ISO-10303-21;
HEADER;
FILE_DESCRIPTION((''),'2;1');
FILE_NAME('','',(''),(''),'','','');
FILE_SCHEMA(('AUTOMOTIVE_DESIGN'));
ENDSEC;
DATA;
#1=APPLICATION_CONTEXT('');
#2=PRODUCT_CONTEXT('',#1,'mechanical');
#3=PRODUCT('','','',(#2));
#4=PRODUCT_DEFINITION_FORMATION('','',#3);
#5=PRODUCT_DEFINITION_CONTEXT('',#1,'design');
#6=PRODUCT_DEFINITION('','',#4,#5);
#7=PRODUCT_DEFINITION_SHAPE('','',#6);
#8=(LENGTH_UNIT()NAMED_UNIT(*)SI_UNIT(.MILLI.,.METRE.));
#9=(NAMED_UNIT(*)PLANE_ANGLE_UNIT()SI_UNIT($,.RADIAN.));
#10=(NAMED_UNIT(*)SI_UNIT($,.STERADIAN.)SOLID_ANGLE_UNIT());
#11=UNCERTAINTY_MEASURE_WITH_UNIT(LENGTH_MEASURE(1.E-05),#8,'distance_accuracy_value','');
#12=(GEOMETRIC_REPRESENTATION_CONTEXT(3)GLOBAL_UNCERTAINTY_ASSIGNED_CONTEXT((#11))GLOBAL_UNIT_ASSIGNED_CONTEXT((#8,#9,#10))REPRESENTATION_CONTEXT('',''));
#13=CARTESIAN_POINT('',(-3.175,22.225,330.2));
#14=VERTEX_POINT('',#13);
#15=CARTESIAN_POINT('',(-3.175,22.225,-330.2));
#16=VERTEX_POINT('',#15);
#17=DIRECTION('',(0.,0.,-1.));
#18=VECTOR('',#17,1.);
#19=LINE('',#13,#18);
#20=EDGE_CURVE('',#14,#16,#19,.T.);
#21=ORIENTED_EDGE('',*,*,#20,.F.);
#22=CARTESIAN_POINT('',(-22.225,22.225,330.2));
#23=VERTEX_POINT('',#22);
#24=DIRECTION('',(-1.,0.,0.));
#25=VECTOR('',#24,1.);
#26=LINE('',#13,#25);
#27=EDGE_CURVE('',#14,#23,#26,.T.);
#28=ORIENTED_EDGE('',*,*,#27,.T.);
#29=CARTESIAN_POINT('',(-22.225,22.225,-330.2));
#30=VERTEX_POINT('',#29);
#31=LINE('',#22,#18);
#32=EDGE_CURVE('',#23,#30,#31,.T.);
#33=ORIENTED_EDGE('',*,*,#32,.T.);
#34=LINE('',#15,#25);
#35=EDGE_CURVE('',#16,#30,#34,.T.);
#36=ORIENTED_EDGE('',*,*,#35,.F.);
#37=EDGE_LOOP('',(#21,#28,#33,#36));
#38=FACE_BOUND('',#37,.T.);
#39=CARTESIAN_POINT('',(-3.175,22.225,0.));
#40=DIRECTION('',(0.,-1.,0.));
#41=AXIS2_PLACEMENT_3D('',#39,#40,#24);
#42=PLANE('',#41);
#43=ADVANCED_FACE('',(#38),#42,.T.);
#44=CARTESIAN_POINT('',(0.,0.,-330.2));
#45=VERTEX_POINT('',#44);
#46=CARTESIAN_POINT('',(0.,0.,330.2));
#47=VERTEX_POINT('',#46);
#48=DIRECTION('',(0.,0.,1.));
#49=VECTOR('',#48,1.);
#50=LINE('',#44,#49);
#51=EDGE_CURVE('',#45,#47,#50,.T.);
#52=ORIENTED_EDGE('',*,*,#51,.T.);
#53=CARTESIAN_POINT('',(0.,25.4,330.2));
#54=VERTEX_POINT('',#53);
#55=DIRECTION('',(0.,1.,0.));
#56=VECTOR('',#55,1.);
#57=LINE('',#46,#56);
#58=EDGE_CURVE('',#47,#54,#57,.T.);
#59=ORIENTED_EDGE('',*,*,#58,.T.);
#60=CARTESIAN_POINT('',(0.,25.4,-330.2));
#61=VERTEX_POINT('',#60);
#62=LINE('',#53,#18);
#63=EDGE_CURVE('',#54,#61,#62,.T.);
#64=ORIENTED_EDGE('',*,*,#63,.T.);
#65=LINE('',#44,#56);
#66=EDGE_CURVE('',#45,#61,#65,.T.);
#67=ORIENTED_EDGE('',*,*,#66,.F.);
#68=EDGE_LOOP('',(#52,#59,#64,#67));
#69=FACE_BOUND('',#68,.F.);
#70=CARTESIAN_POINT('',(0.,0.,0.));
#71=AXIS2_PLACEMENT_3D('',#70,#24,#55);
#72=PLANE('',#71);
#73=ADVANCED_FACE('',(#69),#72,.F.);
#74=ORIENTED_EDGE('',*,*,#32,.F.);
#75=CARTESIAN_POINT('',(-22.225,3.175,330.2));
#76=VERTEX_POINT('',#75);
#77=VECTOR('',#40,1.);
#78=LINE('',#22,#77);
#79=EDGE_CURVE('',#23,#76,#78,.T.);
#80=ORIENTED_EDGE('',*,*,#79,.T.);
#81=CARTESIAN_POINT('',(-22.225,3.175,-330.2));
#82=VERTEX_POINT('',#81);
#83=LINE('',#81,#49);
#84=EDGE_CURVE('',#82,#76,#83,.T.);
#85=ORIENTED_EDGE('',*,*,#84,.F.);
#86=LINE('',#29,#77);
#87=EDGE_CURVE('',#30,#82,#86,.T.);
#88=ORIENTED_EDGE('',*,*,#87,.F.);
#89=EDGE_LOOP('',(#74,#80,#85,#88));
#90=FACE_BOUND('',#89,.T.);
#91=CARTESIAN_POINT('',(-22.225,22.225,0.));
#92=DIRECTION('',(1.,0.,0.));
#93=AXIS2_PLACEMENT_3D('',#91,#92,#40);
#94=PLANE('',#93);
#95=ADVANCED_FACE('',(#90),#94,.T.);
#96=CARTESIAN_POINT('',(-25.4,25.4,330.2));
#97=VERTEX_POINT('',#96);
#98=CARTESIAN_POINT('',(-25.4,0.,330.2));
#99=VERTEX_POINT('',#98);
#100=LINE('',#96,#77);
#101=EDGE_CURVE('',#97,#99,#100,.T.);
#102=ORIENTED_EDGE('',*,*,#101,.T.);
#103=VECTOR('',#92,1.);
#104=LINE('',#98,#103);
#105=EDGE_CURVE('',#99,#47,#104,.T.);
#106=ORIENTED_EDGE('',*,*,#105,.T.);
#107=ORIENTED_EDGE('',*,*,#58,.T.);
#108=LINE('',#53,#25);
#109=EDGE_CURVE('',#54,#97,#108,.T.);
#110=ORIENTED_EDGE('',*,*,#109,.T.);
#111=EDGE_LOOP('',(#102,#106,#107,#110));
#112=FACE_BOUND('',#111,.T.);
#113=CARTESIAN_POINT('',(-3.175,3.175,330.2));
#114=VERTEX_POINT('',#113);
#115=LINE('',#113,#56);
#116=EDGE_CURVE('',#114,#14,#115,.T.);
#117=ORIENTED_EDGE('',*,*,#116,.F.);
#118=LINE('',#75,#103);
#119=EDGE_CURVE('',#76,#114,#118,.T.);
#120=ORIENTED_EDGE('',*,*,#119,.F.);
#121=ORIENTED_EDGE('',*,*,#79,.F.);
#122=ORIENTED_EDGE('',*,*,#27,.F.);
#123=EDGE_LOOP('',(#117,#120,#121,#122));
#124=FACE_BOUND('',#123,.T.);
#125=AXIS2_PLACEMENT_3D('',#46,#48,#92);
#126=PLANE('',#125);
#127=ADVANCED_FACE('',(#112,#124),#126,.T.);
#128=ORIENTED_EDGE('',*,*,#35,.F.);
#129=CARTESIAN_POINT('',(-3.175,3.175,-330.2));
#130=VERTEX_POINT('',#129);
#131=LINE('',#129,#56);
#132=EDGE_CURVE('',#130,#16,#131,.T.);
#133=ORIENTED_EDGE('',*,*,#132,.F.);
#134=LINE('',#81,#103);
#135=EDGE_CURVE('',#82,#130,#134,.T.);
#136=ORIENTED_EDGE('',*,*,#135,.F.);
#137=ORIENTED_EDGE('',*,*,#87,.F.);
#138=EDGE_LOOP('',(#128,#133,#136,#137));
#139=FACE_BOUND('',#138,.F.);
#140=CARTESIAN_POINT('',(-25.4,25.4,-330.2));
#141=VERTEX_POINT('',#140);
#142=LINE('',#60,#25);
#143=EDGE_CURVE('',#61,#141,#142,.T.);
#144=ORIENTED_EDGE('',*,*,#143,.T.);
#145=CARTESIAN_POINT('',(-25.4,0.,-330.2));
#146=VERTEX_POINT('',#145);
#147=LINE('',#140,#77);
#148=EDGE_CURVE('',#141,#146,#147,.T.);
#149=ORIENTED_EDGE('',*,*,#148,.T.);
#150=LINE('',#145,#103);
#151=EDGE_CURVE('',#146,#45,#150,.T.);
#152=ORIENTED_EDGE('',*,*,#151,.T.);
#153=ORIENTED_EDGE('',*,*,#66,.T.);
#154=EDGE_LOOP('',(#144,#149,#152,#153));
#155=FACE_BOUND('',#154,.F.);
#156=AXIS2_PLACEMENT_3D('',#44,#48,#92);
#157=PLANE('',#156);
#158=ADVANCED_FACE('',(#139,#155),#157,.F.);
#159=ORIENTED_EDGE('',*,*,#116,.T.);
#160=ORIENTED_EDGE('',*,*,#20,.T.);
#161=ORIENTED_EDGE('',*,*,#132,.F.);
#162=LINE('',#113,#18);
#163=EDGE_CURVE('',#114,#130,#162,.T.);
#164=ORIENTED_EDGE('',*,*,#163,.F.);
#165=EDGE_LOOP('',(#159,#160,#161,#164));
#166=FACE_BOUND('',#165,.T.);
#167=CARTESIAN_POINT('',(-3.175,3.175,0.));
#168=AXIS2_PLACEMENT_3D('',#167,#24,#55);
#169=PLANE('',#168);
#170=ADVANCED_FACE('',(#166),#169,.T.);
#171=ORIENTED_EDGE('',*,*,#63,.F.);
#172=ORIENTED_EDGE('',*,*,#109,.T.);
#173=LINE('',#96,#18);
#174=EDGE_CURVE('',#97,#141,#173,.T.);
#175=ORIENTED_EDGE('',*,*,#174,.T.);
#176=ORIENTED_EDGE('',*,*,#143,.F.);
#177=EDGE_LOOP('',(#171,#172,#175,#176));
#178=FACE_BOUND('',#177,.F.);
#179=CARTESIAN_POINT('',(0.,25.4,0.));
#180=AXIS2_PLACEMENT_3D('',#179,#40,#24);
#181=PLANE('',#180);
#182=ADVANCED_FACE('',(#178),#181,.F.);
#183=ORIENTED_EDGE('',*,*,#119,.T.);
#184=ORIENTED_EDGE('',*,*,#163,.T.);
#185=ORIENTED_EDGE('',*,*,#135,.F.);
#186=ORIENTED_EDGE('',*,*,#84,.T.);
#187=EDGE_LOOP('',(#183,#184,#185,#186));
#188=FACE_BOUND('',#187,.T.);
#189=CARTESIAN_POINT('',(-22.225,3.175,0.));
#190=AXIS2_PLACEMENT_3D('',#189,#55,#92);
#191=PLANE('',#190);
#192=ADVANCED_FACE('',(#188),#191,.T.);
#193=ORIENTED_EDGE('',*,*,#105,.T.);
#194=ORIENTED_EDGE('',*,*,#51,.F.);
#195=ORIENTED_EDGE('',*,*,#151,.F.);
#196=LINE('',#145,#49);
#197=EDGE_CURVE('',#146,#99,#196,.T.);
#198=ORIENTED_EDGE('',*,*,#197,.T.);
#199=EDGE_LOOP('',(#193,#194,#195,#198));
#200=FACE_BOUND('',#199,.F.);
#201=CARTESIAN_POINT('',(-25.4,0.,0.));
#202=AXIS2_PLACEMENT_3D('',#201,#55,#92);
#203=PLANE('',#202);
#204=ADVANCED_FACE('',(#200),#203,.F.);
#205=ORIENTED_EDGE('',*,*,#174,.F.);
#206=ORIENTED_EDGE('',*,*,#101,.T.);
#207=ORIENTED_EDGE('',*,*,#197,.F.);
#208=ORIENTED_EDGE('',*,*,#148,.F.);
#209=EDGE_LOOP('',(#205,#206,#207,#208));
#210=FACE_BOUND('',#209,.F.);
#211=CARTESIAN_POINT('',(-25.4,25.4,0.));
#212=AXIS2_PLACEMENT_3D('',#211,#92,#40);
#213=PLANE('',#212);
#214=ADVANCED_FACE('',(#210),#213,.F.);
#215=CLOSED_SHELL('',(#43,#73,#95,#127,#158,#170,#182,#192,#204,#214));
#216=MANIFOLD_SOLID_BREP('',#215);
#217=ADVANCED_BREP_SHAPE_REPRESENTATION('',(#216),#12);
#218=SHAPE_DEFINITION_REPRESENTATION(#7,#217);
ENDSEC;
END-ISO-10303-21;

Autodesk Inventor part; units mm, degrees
ref_plane "YZ Plane" through (0, 0, 0) normal (1, 0, 0) x (0, 1, 0)
ref_plane "XZ Plane" through (0, 0, 0) normal (0, 1, 0) x (-1, 0, 0)
ref_plane "XY Plane" through (0, 0, 0) normal (0, 0, 1) x (1, 0, 0)
sketch "Sketch1" plane through (0, 0, 0) normal (0, 0, 1) x (1, 0, 0)
  line L0 (-25.4, 0) -> (0, 0)
  line L1 (0, 0) -> (0, 25.4)
  line L2 (0, 25.4) -> (-25.4, 25.4)
  line L3 (-25.4, 25.4) -> (-25.4, 0)
  line L4 (-22.225, 3.175) -> (-3.175, 3.175)
  line L5 (-3.175, 3.175) -> (-3.175, 22.225)
  line L6 (-3.175, 22.225) -> (-22.225, 22.225)
  line L7 (-22.225, 22.225) -> (-22.225, 3.175)
  dimension "d0" = 25.4
  dimension "d1" = 25.4
  dimension "d2" = 19.05
  dimension "d3" = 19.05
extrude "Extrusion1" add sketch "Sketch1" along normal mid plane 660.4
properties part number "26 tubing"
